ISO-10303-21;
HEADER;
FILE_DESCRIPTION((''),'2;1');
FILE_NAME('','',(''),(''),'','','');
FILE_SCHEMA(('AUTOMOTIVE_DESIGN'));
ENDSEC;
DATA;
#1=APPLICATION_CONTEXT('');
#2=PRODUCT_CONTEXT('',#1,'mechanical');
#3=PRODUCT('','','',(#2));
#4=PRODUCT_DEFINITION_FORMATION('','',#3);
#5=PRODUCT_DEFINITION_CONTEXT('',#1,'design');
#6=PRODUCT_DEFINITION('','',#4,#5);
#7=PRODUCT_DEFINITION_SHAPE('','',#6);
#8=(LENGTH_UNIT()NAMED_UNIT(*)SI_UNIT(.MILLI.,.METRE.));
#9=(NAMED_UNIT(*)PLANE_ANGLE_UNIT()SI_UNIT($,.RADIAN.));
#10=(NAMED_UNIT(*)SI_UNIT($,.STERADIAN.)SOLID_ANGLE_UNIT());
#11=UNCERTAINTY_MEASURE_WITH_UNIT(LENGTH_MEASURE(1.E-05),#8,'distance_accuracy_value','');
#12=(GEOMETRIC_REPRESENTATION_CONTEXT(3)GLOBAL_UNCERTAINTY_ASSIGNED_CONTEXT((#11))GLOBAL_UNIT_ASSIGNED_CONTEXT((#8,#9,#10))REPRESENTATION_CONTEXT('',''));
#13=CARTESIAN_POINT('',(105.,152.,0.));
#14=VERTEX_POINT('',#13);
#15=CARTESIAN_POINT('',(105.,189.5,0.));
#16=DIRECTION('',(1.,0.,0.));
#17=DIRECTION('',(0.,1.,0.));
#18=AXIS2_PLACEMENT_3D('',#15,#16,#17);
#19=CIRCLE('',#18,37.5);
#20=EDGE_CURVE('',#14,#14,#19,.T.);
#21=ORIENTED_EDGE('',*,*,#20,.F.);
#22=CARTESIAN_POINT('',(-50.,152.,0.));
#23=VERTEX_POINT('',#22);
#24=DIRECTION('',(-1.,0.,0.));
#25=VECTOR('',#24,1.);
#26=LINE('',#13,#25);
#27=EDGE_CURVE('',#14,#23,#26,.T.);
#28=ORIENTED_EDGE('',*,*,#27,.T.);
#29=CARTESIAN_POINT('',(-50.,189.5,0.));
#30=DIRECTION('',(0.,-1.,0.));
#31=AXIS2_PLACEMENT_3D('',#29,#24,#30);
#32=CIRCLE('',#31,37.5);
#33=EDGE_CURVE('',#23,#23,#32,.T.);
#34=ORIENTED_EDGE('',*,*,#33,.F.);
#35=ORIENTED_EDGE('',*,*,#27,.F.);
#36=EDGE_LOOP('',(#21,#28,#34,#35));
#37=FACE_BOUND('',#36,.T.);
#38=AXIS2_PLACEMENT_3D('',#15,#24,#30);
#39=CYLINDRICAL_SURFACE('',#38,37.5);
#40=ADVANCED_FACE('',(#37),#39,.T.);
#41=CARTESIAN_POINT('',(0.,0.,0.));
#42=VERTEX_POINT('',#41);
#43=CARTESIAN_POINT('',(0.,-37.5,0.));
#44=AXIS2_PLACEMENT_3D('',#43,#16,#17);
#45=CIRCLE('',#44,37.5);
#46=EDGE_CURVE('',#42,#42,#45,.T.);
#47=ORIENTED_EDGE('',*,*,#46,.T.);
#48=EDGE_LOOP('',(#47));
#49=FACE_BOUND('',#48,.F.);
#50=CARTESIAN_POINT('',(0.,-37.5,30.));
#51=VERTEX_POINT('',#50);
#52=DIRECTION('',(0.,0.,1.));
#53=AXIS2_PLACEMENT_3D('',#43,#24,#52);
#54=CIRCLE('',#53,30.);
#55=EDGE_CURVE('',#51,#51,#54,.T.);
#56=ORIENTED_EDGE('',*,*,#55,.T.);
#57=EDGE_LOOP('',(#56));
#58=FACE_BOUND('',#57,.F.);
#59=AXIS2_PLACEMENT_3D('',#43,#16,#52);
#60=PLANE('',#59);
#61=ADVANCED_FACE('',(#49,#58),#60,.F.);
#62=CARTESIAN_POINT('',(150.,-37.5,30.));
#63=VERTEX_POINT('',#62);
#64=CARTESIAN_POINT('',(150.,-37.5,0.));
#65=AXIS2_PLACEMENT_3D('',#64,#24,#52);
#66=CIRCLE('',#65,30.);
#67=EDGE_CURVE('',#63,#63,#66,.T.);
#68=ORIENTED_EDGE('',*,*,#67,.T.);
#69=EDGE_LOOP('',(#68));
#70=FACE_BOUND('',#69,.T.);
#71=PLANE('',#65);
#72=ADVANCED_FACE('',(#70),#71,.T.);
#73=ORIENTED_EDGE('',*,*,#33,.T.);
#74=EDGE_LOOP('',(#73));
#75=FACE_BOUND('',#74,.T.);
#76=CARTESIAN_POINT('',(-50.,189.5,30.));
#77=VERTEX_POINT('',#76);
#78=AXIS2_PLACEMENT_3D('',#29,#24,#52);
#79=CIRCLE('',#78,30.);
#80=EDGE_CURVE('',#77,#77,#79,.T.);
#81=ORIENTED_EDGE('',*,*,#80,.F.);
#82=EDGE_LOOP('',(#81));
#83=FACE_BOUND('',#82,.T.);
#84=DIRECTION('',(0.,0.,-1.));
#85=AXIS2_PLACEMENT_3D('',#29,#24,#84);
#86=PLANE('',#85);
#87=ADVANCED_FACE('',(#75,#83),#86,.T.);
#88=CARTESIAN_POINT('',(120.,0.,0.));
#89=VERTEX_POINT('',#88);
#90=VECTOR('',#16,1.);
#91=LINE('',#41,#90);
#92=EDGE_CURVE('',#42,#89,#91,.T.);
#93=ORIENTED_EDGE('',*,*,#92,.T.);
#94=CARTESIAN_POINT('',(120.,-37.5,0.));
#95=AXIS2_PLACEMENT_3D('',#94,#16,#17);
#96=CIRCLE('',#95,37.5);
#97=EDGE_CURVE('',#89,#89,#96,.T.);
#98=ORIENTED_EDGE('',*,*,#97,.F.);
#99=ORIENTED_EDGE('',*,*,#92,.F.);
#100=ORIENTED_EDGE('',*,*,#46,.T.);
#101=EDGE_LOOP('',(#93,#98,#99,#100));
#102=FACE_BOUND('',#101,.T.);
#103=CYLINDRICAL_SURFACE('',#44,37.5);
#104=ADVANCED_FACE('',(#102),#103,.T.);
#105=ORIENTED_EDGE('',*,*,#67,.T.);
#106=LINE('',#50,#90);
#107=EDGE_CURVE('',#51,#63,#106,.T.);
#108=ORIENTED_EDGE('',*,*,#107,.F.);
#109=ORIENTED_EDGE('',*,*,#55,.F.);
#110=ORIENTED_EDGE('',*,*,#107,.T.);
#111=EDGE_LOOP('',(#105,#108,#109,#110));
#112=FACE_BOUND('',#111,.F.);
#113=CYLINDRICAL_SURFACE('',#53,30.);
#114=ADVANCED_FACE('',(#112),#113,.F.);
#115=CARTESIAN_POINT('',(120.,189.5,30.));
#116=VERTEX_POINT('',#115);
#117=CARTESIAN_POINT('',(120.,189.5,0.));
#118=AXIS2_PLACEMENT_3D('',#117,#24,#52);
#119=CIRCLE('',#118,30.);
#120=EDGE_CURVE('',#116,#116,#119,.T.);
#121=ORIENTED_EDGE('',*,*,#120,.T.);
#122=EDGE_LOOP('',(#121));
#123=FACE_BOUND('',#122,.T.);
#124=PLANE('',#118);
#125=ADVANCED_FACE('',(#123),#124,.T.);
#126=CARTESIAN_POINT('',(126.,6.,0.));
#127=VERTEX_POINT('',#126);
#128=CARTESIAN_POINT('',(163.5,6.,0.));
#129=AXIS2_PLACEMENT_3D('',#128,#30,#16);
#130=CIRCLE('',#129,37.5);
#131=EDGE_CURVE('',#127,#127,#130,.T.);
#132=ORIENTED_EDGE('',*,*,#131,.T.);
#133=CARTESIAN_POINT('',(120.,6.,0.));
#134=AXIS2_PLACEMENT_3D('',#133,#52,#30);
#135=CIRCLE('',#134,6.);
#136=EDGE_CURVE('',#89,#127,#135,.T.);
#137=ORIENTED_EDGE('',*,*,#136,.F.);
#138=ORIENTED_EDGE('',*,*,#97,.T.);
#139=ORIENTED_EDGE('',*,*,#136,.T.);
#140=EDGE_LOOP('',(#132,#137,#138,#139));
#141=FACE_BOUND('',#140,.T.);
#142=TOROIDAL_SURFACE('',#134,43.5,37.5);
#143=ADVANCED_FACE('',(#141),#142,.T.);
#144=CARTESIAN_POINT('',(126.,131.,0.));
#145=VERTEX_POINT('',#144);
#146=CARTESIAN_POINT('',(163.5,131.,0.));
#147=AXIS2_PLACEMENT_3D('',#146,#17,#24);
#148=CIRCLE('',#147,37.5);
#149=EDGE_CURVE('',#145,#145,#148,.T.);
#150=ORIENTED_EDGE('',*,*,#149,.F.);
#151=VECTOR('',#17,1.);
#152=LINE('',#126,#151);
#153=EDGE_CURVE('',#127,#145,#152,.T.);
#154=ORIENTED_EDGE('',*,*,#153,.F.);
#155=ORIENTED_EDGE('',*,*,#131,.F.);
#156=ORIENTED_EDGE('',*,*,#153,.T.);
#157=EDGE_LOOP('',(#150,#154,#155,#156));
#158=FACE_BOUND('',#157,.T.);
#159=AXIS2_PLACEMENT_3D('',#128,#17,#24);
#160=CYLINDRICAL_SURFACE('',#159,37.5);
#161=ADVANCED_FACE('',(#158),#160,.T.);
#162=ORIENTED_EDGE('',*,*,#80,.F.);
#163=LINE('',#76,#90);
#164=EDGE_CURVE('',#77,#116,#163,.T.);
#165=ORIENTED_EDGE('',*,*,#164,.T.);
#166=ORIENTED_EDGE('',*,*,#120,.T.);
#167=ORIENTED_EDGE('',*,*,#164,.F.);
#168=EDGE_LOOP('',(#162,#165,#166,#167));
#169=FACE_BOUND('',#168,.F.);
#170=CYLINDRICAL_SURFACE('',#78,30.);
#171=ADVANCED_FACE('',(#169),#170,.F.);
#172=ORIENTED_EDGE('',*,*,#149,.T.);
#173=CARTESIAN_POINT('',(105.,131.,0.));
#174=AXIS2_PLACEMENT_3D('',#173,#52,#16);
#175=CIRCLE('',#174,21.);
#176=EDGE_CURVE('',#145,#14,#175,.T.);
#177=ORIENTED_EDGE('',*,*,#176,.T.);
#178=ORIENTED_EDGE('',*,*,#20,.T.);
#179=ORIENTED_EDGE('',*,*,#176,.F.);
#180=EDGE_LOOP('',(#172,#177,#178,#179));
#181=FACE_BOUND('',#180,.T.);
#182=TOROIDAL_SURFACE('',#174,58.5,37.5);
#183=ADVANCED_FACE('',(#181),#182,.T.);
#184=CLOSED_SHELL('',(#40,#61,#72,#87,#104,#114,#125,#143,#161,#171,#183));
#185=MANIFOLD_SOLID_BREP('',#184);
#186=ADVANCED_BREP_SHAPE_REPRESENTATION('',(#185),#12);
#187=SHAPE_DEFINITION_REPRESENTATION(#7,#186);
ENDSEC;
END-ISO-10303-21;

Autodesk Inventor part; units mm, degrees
ref_plane "YZ Plane" through (0, 0, 0) normal (1, 0, 0) x (0, 1, 0)
ref_plane "XZ Plane" through (0, 0, 0) normal (0, 1, 0) x (-1, 0, 0)
ref_plane "XY Plane" through (0, 0, 0) normal (0, 0, 1) x (1, 0, 0)
sketch "Sketch1" plane through (0, 0, 0) normal (1, 0, 0) x (0, 1, 0)
  circle A0 centre (-37.5, 0) radius 37.5
  point P0 (0, 0)
  dimension "d7" = 75
sketch3d "3D Sketch2"
  line L0 (0, -24, 0) -> (120, -24, 0)
  arc A0 (120, -24, 0) -> (150, 6, 0) centre (120, 6, 0) ccw
  line L1 (150, 6, 0) -> (150, 131, 0)
  arc A1 (150, 131, 0) -> (105, 176, 0) centre (105, 131, 0) ccw
  line L2 (105, 176, 0) -> (-50, 176, 0)
  dimension "d0" = 150
  dimension "d1" = 200
  dimension "d2" = 30
  dimension "d3" = 200
  dimension "d4" = 45
sweep "Sweep1" add profiles "Sketch1" path "3D Sketch2"
sketch "Sketch2" plane through (-50, 189.5, 0) normal (-1, 0, 0) x (0, 0, 1)
  circle A0 centre (0, 0) radius 30
  point P0 (0, -189.5)
  dimension "d10" = 60
extrude "Extrusion1" cut sketch "Sketch2" against normal blind 170
sketch "Sketch3" plane through (0, -37.5, 0) normal (-1, 0, 0) x (0, 0, 1)
  circle A0 centre (0, 0) radius 30
  point P0 (0, 37.5)
  dimension "d13" = 60
extrude "Extrusion2" cut sketch "Sketch3" against normal blind 150
properties part number "vacuum"
